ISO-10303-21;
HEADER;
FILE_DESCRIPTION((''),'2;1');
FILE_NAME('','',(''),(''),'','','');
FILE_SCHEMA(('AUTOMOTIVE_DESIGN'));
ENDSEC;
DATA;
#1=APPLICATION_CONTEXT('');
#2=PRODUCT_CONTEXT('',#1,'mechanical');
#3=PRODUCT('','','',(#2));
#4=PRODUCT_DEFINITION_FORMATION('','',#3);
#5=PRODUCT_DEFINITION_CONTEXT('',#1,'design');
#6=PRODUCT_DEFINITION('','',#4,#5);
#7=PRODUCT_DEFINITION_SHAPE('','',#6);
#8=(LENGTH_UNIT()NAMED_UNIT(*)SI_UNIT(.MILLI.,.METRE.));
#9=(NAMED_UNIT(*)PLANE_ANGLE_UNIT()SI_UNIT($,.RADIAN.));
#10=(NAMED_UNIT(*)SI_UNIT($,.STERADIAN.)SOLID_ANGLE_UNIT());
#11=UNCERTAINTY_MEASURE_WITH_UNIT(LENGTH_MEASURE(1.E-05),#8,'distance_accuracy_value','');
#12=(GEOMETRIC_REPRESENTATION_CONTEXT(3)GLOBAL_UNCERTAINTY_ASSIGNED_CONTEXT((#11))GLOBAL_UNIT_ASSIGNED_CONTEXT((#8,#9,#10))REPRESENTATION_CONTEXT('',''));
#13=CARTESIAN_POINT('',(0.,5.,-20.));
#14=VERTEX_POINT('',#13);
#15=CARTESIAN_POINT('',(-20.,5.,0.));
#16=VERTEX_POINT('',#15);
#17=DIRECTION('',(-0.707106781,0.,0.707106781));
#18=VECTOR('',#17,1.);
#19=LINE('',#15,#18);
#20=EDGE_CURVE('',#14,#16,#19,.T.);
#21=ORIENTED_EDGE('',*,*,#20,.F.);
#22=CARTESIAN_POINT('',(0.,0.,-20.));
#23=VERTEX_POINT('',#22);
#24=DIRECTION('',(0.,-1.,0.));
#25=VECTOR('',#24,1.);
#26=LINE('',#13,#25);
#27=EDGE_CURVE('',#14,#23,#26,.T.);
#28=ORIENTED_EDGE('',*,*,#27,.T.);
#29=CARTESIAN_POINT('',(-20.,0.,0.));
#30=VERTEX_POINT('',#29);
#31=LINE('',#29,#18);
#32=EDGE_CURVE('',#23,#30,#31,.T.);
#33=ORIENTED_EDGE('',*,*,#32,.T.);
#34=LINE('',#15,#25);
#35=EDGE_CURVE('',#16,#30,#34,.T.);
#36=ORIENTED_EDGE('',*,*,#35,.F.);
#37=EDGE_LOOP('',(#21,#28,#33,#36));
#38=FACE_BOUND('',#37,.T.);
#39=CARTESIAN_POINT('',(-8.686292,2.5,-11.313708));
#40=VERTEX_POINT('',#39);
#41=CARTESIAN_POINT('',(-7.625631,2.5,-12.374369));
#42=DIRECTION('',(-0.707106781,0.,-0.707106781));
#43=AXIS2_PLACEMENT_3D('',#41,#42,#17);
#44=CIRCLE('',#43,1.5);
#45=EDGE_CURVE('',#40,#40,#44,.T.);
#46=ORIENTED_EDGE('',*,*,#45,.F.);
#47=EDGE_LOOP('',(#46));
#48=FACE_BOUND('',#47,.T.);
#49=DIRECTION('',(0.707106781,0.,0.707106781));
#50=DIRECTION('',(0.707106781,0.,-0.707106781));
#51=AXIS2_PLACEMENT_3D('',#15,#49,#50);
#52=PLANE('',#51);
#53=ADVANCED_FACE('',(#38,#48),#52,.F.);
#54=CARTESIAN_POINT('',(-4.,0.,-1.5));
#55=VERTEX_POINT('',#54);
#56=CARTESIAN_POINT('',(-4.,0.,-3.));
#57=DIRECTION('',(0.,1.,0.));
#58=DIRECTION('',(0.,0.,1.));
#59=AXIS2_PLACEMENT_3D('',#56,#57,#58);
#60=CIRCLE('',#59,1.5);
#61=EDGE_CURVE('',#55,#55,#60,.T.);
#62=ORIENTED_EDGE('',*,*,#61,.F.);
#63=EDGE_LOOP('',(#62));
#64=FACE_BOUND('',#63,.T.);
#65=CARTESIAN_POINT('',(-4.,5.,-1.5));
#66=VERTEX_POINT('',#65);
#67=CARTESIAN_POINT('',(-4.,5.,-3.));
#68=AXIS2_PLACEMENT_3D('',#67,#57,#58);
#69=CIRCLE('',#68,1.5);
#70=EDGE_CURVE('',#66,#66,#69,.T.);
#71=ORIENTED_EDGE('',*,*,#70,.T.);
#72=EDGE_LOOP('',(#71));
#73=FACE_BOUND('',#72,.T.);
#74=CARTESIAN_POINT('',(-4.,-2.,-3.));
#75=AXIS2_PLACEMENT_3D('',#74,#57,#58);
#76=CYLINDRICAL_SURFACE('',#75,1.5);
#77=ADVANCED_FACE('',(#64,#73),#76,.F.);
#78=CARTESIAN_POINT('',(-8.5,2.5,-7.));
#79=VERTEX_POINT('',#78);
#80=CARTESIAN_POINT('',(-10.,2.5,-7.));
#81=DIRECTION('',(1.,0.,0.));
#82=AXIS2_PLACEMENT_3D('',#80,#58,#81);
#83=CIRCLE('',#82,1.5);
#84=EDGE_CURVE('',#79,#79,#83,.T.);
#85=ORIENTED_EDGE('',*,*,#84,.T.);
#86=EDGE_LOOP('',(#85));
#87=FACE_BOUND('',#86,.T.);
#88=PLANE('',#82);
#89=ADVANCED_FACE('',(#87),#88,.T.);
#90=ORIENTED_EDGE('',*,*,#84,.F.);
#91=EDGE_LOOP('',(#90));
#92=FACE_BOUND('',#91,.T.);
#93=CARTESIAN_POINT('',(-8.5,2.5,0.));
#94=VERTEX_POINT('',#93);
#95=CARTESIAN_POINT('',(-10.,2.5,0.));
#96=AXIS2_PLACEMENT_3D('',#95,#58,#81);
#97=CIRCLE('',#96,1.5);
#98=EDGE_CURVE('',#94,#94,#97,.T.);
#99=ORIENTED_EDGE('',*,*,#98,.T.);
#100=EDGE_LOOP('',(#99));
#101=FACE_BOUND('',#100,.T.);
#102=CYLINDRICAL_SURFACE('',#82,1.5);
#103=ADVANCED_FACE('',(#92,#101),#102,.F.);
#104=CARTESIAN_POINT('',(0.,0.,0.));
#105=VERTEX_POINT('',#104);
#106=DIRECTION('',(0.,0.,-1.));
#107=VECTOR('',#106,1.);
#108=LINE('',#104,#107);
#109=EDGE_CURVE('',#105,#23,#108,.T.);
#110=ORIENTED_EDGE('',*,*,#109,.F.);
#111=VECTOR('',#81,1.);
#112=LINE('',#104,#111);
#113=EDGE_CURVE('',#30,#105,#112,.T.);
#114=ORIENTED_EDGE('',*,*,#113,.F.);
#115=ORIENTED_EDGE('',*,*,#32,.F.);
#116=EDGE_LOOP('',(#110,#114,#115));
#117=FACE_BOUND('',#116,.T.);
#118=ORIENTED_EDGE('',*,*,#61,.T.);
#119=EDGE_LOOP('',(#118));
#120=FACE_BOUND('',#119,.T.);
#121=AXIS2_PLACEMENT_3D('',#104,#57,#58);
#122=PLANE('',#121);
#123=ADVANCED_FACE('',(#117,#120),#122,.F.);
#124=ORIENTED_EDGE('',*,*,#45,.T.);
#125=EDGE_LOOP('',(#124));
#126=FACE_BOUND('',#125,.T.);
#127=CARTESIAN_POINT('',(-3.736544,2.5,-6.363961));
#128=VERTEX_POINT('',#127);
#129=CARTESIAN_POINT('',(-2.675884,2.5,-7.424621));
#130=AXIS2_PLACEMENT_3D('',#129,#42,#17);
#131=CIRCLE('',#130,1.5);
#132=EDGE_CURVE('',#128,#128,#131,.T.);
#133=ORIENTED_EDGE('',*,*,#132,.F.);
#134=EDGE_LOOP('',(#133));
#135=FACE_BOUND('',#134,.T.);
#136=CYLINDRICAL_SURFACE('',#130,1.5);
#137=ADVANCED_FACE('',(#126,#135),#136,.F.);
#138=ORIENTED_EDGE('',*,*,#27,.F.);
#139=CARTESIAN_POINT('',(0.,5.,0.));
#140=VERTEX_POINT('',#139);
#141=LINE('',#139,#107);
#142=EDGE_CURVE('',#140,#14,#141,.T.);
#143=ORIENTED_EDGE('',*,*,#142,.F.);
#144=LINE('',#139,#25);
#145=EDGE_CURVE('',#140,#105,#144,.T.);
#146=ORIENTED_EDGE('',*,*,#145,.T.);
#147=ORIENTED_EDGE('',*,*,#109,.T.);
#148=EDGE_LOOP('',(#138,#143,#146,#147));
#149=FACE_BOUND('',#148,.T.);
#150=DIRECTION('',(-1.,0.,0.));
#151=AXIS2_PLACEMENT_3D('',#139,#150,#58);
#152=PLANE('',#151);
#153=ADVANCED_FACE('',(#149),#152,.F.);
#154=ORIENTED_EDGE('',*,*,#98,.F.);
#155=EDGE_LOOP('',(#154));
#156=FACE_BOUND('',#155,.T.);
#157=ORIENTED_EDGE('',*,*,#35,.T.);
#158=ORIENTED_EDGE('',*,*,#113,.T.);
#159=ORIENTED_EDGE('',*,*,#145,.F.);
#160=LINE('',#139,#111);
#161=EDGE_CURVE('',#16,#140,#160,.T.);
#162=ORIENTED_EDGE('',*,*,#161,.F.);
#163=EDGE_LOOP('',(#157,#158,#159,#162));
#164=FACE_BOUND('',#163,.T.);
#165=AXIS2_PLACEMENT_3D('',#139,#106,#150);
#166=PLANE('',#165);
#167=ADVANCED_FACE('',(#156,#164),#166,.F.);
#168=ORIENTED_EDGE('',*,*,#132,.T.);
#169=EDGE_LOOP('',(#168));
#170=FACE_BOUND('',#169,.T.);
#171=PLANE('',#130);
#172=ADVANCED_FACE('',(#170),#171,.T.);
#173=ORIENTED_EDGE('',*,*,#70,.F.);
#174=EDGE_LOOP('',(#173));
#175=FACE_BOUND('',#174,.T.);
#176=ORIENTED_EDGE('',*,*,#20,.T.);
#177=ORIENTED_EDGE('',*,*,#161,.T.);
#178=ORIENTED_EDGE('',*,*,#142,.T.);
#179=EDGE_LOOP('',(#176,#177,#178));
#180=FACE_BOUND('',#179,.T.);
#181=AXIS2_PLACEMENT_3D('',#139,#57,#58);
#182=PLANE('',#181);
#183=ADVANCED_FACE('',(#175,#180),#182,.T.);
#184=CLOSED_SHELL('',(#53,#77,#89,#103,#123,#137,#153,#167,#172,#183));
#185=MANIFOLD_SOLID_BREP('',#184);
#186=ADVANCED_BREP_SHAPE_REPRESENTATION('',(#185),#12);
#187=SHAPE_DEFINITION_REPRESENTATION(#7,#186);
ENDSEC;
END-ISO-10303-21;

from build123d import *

# Parameters (mm, degrees)
BOSS_EXTRUDE1_DEPTH = 5
SKETCH2_R           = 1.5
CUT_EXTRUDE1_DEPTH  = 7
SKETCH3_R           = 1.5
CUT_EXTRUDE2_DEPTH  = 7
SKETCH4_R           = 1.5
CUT_EXTRUDE3_DEPTH  = 7


with BuildPart() as part:
    # Sketch1 → Boss-Extrude1 (new body)
    with BuildSketch(Plane(origin=(0, 0, 0), x_dir=(1, 0, 0), z_dir=(0, 1, 0))):
        Polygon((0, 0), (-20, 0), (0, 20), align=None)
    extrude(amount=BOSS_EXTRUDE1_DEPTH)

    # Sketch2 → Cut-Extrude1 (cut)
    with BuildSketch(Plane.XY):
        with Locations((-10, 2.5)):
            Circle(SKETCH2_R)
    extrude(amount=-CUT_EXTRUDE1_DEPTH, mode=Mode.SUBTRACT)

    # Sketch3 → Cut-Extrude2 (cut)
    with BuildSketch(Plane(origin=(-10, 0, -10), x_dir=(-0.7071067811865511, 0, 0.7071067811865439), z_dir=(-0.7071067811865439, 0, -0.7071067811865511))):
        with Locations((-3.357864376, 2.5)):
            Circle(SKETCH3_R)
    extrude(amount=-CUT_EXTRUDE2_DEPTH, mode=Mode.SUBTRACT)

    # Sketch4 → Cut-Extrude3 (cut)
    with BuildSketch(Plane(origin=(0, 5, 0), x_dir=(1, 0, 0), z_dir=(0, 1, 0))):
        with Locations(Location((-4, 3, 0), (0, 0, 270))):
            Circle(SKETCH4_R)
    extrude(amount=-CUT_EXTRUDE3_DEPTH, mode=Mode.SUBTRACT)


solid = part.part
